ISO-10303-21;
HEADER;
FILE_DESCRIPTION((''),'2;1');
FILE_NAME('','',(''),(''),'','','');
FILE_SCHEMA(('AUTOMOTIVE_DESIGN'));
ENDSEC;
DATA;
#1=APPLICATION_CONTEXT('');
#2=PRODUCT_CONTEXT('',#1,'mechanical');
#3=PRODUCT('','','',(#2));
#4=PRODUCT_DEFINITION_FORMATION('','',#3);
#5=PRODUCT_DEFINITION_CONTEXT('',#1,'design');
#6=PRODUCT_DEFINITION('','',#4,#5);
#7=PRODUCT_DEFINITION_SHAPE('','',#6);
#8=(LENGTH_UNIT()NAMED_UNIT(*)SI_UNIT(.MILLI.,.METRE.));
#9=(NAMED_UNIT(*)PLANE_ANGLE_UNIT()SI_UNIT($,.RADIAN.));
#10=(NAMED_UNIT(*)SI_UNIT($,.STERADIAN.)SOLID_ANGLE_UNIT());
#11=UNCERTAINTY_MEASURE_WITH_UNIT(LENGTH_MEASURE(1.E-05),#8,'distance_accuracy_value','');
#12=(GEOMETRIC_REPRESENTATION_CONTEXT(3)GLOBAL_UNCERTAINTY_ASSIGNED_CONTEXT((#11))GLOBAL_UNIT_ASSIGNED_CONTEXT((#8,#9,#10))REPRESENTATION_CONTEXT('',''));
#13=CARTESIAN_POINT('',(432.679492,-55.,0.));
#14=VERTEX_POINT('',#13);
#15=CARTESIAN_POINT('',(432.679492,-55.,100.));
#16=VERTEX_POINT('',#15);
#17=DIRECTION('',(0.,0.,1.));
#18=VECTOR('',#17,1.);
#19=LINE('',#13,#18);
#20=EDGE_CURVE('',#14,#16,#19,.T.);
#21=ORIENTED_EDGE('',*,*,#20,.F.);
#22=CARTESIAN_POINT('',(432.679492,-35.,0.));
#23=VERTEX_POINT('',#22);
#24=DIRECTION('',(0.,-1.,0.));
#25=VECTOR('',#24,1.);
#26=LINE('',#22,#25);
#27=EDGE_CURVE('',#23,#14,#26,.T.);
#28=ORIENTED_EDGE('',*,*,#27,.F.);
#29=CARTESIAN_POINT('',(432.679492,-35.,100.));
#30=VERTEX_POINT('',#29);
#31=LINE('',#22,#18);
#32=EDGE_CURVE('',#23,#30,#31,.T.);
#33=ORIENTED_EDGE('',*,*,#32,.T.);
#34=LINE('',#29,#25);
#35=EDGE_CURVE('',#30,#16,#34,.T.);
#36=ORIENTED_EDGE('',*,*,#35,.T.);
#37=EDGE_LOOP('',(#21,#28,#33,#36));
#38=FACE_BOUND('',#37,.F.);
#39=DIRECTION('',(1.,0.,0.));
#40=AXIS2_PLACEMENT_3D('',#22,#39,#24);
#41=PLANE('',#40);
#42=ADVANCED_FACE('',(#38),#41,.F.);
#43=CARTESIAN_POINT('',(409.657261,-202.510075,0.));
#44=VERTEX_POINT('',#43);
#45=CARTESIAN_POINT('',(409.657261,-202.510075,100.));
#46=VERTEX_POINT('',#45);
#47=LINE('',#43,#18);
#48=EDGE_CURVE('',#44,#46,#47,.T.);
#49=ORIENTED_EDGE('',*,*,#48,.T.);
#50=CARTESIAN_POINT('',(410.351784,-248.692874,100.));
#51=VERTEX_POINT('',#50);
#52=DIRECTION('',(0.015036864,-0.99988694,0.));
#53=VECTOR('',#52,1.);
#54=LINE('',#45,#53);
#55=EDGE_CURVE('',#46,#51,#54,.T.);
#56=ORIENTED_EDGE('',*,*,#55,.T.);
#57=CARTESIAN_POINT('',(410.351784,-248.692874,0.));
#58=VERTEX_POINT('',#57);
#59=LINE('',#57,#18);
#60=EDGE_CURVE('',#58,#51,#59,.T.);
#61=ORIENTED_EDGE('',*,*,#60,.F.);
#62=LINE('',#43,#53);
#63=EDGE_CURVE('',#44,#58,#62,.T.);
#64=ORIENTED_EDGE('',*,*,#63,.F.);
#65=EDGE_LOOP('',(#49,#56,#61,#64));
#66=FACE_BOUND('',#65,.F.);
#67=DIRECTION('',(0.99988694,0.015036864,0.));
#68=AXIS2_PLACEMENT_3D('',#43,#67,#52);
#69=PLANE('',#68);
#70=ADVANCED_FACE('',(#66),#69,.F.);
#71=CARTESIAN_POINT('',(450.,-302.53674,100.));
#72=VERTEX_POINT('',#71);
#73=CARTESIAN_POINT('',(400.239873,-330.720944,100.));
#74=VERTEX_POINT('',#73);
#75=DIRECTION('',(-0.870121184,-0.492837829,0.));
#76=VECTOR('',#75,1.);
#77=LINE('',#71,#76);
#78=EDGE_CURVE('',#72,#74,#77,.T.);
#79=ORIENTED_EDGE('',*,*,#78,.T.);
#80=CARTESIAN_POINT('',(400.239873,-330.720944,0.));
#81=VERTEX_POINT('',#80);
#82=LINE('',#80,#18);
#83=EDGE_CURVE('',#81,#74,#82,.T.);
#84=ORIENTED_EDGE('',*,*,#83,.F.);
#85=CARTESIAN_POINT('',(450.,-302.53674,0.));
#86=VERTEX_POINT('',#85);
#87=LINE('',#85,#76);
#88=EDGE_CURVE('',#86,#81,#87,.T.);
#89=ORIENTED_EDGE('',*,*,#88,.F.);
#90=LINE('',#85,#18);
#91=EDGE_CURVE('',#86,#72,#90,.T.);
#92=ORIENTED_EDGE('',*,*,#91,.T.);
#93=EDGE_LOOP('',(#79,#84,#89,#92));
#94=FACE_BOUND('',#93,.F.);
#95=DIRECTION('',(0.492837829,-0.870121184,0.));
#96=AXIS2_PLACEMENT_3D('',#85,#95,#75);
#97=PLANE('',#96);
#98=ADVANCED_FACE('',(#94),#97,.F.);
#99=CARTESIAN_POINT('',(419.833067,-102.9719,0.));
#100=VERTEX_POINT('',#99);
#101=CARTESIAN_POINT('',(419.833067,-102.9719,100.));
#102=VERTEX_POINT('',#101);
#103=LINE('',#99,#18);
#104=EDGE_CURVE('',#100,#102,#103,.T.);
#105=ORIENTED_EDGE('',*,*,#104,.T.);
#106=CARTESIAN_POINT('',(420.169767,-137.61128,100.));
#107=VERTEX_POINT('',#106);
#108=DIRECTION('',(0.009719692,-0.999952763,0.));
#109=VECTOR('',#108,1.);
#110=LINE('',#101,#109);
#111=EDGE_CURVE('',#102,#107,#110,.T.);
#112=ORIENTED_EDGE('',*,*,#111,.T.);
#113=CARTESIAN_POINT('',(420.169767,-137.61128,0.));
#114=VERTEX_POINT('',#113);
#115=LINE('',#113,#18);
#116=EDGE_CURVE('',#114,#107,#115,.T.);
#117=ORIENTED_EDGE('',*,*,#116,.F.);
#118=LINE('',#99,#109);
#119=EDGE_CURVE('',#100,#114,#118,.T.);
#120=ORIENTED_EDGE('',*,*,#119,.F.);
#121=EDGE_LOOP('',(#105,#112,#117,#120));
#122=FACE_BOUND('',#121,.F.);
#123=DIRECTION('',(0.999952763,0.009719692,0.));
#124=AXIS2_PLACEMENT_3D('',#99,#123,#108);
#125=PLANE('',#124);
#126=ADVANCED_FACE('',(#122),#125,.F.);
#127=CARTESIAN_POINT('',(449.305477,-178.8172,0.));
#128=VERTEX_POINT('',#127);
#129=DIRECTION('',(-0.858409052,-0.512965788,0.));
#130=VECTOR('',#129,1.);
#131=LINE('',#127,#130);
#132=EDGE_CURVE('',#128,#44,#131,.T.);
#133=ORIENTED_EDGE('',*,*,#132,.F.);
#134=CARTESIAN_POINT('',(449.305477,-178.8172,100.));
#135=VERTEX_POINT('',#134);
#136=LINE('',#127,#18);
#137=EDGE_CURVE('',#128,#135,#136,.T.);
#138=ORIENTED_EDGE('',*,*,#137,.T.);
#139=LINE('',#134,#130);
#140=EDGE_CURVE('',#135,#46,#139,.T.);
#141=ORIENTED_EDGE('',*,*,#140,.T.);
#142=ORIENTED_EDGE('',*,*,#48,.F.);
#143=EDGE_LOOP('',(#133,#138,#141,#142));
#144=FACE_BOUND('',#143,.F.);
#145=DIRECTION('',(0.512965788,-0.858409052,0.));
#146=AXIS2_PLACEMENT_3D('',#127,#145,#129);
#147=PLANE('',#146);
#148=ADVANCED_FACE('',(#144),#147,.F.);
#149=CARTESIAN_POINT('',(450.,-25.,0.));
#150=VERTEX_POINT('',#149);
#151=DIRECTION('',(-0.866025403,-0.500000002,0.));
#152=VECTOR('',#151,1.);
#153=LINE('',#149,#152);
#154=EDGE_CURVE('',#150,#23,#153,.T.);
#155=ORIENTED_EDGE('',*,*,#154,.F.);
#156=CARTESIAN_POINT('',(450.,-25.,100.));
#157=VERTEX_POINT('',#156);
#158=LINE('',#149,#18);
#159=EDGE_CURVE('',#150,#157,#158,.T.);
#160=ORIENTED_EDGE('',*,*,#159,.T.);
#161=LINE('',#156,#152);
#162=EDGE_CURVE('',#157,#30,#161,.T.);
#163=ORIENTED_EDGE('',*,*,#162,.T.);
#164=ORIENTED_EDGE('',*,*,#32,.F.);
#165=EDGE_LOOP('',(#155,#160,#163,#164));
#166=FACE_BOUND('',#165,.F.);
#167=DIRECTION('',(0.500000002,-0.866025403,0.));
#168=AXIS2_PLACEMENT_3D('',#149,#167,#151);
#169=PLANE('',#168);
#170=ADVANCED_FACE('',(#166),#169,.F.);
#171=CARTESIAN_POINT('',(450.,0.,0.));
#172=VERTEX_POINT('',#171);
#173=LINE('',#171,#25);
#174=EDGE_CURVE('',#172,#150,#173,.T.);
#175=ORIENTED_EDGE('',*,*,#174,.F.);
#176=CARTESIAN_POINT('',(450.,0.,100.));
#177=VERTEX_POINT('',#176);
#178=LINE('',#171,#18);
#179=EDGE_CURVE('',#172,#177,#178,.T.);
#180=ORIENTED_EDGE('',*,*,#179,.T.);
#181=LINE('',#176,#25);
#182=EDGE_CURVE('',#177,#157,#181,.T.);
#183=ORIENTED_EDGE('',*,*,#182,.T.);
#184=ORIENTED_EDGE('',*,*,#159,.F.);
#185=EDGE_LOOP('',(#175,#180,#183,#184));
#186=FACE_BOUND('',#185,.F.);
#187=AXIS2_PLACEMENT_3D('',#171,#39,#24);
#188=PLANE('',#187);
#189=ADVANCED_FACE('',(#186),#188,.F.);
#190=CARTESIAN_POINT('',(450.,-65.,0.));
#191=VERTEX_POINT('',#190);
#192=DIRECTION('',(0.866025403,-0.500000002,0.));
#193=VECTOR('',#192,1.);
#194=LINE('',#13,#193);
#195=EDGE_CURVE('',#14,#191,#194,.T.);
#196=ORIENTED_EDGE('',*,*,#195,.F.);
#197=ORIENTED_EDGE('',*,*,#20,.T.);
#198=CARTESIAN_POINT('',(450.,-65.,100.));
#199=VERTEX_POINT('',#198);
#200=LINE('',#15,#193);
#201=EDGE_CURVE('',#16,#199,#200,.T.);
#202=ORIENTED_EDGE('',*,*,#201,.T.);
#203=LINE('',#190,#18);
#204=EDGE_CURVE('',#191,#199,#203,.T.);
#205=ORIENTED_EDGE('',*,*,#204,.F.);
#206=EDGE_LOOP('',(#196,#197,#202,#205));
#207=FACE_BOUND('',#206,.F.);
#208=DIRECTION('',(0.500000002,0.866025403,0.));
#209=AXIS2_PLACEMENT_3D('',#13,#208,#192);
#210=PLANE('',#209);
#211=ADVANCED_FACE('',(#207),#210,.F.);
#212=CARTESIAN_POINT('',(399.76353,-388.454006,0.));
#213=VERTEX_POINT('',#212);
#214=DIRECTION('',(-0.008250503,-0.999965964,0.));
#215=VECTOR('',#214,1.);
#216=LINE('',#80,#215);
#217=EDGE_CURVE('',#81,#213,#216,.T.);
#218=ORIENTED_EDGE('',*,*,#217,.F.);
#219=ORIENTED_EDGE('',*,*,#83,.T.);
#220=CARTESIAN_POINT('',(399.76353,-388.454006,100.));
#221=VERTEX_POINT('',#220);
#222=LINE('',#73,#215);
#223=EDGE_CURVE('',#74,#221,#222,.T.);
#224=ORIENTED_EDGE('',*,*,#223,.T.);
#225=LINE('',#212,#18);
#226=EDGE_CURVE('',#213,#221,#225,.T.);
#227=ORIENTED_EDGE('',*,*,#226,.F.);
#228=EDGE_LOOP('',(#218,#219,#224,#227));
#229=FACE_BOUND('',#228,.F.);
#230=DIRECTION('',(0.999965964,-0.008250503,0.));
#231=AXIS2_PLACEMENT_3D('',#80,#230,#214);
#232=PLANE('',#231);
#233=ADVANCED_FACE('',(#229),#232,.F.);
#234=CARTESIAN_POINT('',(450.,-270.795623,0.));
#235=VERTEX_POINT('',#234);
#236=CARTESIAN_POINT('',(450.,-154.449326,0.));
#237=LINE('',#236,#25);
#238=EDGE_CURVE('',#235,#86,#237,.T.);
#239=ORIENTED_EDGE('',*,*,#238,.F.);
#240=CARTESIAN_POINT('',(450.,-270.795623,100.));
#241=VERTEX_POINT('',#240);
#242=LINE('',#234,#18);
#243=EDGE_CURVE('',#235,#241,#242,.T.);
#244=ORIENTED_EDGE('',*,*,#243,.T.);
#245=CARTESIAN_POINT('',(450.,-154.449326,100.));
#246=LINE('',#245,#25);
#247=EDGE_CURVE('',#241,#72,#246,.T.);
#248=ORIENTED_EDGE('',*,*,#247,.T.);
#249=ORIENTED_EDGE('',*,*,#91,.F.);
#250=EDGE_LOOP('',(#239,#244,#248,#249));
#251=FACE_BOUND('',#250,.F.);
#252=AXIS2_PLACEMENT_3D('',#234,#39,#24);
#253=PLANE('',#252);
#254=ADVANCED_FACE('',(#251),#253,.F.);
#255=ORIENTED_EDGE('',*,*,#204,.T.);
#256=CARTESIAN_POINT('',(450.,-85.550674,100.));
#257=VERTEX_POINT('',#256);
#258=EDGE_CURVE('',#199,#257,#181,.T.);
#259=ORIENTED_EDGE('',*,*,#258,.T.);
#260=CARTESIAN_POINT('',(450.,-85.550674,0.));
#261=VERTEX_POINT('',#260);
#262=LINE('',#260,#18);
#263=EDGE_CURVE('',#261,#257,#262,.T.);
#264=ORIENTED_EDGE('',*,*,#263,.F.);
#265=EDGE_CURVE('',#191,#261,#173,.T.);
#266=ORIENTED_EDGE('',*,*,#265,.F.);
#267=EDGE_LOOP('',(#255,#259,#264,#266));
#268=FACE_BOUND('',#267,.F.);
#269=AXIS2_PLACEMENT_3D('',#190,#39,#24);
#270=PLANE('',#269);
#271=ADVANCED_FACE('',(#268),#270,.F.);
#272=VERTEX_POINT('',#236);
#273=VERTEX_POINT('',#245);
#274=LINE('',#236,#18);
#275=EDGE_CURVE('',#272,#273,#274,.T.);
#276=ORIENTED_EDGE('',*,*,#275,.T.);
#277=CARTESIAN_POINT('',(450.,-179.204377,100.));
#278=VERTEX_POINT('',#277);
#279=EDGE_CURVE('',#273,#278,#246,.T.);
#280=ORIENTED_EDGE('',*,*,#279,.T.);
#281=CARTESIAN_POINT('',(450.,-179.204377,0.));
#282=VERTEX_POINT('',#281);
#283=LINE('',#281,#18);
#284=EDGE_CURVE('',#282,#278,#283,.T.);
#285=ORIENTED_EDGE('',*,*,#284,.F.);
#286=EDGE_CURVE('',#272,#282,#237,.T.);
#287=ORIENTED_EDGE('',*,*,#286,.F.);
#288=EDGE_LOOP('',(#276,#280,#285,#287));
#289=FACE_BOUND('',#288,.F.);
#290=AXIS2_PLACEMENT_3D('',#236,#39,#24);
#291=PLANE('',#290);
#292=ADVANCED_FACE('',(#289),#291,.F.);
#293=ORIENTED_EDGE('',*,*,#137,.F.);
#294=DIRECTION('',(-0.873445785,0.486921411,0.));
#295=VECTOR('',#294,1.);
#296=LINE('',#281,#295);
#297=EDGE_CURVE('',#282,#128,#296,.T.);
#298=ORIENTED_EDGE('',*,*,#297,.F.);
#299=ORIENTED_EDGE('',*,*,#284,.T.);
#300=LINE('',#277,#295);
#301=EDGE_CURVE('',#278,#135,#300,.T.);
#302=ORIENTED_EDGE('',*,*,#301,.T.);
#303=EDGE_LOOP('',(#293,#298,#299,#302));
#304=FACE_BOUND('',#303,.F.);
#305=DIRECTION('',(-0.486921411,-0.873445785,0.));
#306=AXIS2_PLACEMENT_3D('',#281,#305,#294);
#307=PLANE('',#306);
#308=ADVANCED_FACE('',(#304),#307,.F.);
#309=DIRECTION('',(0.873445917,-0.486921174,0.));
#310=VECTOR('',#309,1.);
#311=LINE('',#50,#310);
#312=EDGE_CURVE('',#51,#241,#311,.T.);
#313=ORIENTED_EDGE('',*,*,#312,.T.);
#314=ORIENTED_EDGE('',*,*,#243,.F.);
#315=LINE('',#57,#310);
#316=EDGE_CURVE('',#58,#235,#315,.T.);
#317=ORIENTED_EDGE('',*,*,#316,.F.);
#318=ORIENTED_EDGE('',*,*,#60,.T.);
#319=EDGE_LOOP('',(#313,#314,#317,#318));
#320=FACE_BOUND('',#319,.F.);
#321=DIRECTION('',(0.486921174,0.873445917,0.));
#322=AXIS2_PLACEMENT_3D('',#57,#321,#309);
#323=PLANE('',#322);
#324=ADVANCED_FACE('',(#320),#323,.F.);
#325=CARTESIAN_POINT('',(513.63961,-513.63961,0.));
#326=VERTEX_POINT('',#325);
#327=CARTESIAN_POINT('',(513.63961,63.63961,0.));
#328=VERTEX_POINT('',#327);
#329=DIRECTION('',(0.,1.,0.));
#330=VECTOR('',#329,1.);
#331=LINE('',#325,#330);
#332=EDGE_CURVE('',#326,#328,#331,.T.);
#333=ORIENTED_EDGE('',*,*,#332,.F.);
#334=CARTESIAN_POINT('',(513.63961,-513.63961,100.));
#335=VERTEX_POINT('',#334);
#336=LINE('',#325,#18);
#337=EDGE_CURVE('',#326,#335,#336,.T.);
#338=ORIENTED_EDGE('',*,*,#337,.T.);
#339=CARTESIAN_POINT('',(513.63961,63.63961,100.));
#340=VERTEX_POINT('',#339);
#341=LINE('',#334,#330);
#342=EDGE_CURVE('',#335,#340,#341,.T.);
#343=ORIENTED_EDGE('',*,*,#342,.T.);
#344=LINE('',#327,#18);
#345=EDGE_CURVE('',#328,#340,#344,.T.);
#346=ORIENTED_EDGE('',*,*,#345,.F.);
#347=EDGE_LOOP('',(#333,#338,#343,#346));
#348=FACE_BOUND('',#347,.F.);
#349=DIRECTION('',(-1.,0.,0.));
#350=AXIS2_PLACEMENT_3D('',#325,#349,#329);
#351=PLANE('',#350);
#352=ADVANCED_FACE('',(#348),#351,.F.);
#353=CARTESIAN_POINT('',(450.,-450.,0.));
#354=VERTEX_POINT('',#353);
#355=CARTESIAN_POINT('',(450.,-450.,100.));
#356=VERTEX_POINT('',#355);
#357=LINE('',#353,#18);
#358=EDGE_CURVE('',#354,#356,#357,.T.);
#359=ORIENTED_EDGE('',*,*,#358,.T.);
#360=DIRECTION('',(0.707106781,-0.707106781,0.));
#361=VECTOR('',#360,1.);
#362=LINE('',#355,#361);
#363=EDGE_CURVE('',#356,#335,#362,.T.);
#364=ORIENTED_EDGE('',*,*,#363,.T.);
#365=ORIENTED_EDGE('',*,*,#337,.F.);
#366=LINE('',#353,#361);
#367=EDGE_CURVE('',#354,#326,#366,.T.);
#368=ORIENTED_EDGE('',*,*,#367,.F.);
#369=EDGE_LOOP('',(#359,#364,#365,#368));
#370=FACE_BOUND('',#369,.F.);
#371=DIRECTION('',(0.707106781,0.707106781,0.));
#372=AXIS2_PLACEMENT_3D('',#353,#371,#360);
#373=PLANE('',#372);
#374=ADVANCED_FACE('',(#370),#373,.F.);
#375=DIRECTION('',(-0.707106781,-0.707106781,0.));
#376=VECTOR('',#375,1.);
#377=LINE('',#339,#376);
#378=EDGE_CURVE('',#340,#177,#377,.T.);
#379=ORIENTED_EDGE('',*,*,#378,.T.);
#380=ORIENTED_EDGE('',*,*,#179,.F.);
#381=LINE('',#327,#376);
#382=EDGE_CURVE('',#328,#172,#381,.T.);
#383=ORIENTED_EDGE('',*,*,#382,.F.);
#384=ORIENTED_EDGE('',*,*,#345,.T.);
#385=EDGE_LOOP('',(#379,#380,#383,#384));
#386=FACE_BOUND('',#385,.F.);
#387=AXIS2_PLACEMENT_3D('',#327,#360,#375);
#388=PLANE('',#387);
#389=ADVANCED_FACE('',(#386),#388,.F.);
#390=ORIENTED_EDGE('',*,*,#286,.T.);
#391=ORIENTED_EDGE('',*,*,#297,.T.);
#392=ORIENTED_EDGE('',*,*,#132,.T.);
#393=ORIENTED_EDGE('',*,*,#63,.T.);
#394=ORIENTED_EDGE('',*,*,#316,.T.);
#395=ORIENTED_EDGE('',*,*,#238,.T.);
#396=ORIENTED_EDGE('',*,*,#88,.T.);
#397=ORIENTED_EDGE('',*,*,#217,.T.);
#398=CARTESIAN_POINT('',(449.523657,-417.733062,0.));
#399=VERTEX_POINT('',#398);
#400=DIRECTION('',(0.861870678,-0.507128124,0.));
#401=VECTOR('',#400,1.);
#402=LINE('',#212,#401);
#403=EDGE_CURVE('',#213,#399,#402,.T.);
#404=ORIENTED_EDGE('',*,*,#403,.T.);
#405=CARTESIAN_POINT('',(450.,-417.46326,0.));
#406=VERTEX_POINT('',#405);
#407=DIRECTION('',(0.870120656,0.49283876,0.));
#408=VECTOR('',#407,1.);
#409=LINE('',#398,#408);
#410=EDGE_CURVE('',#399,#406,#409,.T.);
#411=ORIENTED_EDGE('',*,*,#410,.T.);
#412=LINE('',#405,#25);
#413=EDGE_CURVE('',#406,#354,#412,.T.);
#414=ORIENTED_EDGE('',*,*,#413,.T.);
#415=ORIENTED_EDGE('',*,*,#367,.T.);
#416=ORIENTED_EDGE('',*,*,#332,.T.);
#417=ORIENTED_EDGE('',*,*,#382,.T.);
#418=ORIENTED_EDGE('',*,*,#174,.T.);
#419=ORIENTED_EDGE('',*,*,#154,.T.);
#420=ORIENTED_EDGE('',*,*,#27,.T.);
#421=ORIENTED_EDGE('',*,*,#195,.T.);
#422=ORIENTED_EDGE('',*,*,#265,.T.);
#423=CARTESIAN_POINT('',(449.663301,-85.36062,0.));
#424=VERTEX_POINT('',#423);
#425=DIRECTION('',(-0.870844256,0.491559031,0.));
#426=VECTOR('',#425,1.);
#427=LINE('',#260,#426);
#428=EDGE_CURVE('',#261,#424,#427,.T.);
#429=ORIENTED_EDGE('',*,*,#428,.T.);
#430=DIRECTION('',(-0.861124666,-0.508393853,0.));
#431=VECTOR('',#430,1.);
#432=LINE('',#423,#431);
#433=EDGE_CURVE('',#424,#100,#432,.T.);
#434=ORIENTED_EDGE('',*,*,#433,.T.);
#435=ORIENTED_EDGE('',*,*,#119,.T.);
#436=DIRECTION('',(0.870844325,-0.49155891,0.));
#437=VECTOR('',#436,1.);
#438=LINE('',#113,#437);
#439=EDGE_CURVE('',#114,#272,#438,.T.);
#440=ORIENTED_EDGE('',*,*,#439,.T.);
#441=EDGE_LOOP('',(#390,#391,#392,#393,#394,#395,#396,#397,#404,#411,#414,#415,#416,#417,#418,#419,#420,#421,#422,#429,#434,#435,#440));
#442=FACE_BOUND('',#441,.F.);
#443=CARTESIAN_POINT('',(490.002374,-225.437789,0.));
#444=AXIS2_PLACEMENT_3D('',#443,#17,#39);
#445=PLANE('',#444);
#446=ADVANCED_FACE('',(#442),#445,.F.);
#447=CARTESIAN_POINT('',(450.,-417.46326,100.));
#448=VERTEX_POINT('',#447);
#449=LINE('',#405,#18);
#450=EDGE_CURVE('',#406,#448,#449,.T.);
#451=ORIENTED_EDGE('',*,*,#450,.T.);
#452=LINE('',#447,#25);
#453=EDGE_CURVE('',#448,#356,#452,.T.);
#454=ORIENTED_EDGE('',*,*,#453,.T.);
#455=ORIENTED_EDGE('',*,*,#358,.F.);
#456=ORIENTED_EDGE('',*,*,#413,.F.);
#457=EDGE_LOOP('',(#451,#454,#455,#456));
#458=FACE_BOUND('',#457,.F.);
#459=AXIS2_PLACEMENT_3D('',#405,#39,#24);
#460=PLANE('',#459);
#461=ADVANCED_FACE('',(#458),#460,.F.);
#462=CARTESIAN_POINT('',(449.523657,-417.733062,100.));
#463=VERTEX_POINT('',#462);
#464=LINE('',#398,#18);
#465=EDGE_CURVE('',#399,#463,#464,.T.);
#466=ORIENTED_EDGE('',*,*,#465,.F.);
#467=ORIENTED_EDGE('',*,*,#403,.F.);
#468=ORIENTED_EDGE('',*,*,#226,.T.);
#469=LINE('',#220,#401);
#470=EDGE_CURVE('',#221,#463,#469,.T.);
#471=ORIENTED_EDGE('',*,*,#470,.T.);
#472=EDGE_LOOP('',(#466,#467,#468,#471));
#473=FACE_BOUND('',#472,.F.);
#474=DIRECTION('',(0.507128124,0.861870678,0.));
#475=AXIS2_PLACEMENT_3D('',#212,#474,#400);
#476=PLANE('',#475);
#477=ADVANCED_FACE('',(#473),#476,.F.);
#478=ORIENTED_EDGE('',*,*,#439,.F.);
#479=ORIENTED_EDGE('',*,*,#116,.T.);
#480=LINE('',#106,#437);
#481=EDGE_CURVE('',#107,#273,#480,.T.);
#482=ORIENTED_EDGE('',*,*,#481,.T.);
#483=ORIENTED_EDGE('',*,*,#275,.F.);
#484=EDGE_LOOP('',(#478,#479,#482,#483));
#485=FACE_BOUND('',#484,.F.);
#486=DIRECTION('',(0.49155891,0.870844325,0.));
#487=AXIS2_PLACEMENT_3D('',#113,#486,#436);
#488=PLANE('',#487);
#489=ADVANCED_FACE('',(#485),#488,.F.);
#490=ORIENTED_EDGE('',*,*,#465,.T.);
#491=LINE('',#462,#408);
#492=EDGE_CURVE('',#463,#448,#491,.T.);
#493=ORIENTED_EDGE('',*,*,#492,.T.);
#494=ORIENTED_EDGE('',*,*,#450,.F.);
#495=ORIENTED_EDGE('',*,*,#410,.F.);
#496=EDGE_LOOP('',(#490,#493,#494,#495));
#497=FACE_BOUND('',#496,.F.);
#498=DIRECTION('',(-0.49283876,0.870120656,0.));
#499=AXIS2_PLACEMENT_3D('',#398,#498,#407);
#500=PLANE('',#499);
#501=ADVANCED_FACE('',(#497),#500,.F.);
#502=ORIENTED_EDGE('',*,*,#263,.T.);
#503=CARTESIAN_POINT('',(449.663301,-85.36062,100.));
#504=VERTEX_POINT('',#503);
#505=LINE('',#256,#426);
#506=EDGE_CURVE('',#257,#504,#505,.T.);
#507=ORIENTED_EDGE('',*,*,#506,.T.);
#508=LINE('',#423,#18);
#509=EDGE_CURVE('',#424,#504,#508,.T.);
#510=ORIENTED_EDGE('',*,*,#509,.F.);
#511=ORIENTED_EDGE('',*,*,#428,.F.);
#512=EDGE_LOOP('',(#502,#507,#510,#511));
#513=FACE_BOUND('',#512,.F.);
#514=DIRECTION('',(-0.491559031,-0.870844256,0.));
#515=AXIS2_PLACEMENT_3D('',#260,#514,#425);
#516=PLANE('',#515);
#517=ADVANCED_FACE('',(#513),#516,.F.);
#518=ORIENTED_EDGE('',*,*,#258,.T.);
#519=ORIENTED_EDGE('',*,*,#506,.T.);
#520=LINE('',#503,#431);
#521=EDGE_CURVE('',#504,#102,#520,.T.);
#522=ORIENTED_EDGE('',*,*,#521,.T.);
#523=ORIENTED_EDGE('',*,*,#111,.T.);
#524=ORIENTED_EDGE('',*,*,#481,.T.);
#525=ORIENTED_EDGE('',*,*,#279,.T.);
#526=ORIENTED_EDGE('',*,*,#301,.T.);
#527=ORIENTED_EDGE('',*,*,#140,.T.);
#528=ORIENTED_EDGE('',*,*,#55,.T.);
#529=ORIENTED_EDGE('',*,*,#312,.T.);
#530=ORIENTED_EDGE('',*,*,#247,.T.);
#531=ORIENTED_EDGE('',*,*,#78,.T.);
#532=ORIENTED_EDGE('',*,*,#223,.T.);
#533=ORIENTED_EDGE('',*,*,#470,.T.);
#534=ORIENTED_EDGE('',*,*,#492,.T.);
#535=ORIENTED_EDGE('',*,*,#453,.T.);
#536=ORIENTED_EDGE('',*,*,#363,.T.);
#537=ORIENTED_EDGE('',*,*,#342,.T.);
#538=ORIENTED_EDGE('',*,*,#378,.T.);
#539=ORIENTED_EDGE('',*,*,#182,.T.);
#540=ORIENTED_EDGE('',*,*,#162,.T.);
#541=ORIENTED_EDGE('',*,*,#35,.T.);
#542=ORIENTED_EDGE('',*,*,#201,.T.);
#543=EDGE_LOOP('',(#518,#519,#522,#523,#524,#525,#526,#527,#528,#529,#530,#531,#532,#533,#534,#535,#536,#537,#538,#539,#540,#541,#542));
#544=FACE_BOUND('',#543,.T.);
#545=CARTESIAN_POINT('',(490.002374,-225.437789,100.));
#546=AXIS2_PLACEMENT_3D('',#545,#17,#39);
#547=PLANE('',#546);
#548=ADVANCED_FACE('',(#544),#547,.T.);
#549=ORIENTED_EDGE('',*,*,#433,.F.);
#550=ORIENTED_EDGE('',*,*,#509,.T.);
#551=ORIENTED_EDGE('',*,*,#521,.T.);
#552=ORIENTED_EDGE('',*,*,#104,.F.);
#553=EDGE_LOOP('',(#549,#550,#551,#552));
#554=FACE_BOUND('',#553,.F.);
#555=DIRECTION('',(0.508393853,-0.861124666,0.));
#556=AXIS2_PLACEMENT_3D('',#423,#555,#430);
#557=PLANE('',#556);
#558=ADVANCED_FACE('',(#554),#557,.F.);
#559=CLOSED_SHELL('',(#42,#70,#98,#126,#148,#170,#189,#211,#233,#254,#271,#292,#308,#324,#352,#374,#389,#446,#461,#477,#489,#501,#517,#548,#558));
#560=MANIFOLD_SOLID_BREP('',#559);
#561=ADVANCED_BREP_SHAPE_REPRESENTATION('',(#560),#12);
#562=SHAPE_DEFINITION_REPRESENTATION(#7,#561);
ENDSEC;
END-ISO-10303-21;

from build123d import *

# Parameters (mm, degrees)
F1_DEPTH = 100


with BuildPart() as f1:
    # F0 (on Top) → F1 (new body)
    with BuildSketch(Plane.XY):
        Polygon((513.63961, 63.63961), (450, 0), (450, -25), (467.320508, -35), (467.320508, -55), (450, -65), (450, -85.550674), (479.830233, -102.38872), (480.166933, -137.0281), (450.336699, -154.63938), (450, -154.449326), (450, -179.204377), (489.648216, -201.307126), (490.342739, -247.489925), (450.694523, -271.1828), (450, -270.795623), (450, -302.53674), (450.476343, -302.266938), (500.23647, -331.545994), (499.760127, -389.279056), (450, -417.46326), (450, -450), (513.63961, -513.63961), align=None)
        Polygon((467.320508, -35), (450, -25), (450, -65), (467.320508, -55), align=None)
        Polygon((450, -65), (450, -25), (432.679492, -35), (432.679492, -55), align=None)
        Polygon((450, -154.449326), (450, -85.550674), (449.663301, -85.36062), (419.833067, -102.9719), (420.169767, -137.61128), align=None)
        Polygon((479.830233, -102.38872), (450, -85.550674), (450, -154.449326), (450.336699, -154.63938), (480.166933, -137.0281), align=None)
        Polygon((489.648216, -201.307126), (450, -179.204377), (450, -270.795623), (450.694523, -271.1828), (490.342739, -247.489925), align=None)
        Polygon((450, -270.795623), (450, -179.204377), (449.305477, -178.8172), (409.657261, -202.510075), (410.351784, -248.692874), align=None)
        Polygon((449.523657, -417.733062), (450, -417.46326), (450, -302.53674), (400.239873, -330.720944), (399.76353, -388.454006), align=None)
        Polygon((450, -302.53674), (450, -417.46326), (499.760127, -389.279056), (500.23647, -331.545994), (450.476343, -302.266938), align=None)
    extrude(amount=F1_DEPTH)


solid = f1.part
